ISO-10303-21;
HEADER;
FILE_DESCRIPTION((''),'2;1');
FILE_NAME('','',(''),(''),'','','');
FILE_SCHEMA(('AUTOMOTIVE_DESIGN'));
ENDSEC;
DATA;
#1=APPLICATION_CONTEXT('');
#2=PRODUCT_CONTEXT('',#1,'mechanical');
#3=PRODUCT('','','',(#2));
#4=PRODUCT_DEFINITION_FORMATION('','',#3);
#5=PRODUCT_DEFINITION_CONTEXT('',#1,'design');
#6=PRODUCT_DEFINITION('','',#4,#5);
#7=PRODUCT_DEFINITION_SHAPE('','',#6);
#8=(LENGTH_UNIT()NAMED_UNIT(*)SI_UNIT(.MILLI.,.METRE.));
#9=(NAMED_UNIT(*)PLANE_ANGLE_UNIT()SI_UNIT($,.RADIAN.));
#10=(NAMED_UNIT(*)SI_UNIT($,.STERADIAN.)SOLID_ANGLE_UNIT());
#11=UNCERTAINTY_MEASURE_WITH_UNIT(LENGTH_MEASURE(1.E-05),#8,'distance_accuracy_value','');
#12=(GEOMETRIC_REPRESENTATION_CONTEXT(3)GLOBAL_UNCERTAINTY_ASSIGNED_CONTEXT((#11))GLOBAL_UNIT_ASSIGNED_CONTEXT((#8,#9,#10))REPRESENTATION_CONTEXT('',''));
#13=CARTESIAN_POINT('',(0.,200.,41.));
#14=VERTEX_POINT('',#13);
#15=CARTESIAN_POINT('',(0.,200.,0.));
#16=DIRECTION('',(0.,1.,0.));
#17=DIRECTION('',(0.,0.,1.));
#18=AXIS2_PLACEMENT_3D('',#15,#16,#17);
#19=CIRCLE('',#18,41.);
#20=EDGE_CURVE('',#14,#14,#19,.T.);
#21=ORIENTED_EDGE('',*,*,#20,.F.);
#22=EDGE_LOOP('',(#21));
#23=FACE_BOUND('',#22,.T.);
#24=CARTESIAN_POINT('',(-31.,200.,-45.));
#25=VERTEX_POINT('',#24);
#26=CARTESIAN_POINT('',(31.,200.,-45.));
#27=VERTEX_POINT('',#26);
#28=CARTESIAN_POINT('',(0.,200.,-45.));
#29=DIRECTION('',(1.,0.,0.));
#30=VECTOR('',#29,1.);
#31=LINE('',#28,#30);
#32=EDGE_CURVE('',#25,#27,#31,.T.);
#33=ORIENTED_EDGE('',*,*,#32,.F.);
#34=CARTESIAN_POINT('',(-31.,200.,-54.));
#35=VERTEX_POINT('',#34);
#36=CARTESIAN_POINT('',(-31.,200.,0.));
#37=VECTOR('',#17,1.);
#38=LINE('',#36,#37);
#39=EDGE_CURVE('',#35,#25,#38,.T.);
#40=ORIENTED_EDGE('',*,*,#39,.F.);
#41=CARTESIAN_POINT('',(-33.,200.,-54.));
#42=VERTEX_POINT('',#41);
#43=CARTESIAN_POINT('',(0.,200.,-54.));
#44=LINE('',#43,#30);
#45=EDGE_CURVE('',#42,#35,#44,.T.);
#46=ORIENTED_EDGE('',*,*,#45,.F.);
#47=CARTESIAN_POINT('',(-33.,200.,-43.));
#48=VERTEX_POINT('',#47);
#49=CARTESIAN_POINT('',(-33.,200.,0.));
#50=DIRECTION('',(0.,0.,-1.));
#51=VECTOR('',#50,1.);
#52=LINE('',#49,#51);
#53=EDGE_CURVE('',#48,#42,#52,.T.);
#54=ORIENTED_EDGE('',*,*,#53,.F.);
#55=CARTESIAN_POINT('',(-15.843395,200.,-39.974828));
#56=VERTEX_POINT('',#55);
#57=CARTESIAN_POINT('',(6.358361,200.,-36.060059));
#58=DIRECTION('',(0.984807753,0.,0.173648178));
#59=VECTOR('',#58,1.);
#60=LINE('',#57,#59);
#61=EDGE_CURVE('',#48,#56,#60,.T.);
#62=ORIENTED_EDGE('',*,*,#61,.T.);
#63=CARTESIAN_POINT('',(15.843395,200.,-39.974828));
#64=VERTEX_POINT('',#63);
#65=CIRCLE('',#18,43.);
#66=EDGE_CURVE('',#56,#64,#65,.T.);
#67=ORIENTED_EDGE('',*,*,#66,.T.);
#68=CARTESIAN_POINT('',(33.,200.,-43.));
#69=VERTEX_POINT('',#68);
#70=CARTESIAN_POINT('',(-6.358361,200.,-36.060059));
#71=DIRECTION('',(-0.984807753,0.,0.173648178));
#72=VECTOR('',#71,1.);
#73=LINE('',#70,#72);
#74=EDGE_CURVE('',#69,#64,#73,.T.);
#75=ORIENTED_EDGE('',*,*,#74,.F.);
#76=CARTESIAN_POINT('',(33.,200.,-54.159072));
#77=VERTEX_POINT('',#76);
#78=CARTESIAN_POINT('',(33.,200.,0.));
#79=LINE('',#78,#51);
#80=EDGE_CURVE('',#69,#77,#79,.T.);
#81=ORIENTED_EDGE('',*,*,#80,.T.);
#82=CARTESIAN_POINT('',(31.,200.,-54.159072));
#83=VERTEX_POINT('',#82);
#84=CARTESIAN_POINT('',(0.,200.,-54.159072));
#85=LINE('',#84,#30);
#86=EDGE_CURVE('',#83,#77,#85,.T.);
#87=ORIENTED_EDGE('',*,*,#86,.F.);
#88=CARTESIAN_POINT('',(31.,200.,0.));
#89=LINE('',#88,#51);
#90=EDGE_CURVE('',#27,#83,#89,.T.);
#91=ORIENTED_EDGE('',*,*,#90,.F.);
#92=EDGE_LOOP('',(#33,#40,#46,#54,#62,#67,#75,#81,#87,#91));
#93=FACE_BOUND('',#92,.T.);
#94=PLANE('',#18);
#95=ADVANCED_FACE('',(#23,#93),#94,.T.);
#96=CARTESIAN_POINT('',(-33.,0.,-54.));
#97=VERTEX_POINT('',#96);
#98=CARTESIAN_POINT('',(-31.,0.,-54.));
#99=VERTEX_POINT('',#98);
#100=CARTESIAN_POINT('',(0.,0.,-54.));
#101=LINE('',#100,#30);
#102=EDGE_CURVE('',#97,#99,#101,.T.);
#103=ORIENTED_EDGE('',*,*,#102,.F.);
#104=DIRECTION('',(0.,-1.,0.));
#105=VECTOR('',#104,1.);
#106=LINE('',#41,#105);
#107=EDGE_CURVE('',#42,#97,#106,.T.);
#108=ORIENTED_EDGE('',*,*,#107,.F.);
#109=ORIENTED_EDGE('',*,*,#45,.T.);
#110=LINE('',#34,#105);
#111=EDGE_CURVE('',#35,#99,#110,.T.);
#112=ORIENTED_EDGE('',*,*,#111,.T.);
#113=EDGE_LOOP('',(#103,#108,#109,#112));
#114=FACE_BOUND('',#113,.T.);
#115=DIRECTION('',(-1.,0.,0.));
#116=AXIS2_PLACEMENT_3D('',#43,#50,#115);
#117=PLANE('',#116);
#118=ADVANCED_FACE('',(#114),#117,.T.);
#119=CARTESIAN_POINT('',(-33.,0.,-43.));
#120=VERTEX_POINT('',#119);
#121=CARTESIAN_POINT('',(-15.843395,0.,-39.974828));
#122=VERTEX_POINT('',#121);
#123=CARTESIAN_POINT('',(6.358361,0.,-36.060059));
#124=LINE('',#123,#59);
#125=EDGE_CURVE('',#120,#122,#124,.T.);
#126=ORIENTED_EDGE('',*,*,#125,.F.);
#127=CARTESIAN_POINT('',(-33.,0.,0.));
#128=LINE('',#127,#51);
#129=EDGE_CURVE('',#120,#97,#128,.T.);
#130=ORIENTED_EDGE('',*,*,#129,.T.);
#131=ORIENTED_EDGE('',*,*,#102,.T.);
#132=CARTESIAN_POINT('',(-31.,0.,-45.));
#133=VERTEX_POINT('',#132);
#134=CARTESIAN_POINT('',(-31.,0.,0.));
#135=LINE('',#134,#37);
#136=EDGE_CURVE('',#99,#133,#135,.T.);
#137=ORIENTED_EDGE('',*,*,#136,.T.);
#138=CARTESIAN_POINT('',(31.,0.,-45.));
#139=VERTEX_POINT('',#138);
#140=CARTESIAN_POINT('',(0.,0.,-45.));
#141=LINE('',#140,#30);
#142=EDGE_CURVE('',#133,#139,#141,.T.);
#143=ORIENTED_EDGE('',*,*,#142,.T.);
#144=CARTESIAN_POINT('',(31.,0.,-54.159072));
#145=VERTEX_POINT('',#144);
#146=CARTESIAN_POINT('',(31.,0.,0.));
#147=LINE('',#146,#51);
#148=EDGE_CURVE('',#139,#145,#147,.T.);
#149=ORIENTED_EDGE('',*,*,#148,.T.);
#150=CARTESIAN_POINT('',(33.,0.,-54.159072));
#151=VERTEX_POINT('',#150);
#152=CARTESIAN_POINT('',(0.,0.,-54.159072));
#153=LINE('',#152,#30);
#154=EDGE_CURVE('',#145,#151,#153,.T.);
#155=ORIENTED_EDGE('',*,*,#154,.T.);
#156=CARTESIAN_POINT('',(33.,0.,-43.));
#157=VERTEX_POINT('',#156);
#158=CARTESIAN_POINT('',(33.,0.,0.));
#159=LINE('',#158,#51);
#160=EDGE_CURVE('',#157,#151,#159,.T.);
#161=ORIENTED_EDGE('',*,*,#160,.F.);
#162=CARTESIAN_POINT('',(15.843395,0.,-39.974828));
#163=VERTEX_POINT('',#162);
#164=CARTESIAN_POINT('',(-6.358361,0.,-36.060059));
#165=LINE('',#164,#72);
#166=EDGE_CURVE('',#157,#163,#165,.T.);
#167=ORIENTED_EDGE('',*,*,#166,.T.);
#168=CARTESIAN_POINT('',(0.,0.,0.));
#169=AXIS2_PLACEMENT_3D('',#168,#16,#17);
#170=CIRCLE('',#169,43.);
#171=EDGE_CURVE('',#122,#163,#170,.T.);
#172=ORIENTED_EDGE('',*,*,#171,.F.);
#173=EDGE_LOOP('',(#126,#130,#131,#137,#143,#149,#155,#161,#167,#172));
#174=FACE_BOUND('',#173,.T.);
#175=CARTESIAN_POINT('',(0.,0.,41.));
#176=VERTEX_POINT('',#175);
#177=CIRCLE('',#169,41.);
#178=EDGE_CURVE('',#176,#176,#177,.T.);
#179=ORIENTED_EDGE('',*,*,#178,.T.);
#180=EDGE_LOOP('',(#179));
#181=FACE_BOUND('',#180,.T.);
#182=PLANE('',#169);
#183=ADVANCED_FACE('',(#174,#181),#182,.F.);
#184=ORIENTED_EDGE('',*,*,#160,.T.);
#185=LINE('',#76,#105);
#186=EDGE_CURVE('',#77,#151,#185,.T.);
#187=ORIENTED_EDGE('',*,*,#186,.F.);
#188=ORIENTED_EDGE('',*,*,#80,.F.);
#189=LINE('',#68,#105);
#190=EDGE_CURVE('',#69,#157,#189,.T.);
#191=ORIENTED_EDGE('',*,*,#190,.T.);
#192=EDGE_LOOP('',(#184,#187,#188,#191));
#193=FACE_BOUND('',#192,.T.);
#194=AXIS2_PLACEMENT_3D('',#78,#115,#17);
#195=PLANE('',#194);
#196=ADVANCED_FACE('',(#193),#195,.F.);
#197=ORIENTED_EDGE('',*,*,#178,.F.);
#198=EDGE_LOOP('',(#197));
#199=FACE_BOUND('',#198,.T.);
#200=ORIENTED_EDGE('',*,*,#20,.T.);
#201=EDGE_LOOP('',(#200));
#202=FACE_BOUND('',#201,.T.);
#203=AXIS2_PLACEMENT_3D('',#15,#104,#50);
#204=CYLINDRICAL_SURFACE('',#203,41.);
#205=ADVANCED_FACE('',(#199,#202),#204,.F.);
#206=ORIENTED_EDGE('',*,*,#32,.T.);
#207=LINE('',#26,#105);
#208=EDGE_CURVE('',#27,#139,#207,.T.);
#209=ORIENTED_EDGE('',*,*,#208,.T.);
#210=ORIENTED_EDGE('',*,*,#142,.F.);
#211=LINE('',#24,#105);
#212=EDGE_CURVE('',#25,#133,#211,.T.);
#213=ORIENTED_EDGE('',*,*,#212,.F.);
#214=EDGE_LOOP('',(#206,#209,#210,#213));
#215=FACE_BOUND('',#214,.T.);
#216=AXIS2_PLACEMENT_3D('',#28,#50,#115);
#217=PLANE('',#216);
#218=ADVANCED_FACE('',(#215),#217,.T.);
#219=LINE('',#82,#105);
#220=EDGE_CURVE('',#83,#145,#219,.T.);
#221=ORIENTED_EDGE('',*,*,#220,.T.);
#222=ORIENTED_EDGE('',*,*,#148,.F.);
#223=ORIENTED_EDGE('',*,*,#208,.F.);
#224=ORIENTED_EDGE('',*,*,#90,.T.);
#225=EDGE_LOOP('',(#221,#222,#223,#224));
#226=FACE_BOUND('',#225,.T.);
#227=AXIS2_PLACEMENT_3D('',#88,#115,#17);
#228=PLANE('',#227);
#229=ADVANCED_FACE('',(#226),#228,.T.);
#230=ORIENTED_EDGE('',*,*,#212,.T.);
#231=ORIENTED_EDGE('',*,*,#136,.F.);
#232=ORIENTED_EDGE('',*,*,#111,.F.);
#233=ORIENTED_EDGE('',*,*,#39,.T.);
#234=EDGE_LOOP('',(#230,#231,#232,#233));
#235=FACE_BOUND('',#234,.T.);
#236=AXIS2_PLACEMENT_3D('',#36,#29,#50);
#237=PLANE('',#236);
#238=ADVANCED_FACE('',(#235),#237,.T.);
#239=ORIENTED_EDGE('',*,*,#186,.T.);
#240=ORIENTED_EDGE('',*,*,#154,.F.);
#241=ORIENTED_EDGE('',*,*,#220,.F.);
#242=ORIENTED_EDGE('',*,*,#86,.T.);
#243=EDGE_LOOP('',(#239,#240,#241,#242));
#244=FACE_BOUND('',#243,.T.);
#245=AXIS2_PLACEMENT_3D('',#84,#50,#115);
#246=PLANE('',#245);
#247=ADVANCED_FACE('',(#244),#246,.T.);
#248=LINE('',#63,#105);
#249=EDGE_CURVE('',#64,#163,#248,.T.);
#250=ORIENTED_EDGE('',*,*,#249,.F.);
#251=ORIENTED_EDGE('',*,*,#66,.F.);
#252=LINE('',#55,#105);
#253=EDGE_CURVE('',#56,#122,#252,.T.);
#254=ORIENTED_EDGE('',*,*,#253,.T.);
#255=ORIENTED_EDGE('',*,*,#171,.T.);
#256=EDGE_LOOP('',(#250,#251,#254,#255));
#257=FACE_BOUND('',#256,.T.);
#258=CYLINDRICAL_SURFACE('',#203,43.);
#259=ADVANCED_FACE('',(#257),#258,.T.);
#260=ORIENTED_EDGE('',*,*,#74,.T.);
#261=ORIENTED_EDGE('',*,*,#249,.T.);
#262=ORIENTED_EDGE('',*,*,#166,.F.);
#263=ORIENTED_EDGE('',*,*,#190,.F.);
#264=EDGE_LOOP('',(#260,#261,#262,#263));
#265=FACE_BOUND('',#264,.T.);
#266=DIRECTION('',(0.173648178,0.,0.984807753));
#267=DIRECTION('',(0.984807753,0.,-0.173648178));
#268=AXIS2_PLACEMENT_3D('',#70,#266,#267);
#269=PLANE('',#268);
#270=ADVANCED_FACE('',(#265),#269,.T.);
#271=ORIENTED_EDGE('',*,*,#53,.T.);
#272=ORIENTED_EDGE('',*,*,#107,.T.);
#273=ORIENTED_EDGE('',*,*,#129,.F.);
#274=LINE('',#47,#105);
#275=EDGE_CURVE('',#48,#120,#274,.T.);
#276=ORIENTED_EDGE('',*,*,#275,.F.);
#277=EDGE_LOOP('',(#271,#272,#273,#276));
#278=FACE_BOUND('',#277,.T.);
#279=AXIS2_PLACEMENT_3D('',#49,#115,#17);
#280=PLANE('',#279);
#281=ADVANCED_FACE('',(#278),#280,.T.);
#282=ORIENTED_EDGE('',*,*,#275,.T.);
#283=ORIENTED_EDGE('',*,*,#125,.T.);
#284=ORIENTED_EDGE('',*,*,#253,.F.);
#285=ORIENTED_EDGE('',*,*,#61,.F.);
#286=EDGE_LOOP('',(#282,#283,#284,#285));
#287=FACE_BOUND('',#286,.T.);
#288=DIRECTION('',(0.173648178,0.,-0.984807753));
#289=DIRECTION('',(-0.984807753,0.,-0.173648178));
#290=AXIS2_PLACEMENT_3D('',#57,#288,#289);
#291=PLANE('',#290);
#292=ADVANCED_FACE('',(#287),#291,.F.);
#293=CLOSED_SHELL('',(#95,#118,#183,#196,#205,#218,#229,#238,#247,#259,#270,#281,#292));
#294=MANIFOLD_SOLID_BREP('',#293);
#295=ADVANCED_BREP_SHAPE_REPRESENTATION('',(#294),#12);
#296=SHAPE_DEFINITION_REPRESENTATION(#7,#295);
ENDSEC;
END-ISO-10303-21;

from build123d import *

# Parameters (mm, degrees)
SKETCH3_R           = 43
SKETCH3_R_2         = 41
BOSS_EXTRUDE1_DEPTH = 200


with BuildPart() as part:
    # Sketch3 → Boss-Extrude1 (new body)
    with BuildSketch(Plane(origin=(0, 0, 0), x_dir=(1, 0, 0), z_dir=(0, 1, 0))):
        with BuildLine():
            Line((15.84339478, 39.974827602), (33, 43))
            Line((33, 43), (33, 54.159072389))
            Line((33, 54.159072389), (31, 54.159072389))
            Line((31, 54.159072389), (31, 45))
            Line((31, 45), (-31, 45))
            Line((-31, 45), (-31, 54))
            Line((-31, 54), (-33, 54))
            Line((-33, 54), (-33, 43))
            Line((-33, 43), (-15.84339478, 39.974827602))
            ThreePointArc((-15.84339478, 39.974827602), (0, 43), (15.84339478, 39.974827602))
        make_face()
        Circle(SKETCH3_R)
        Circle(SKETCH3_R_2, mode=Mode.SUBTRACT)
    extrude(amount=BOSS_EXTRUDE1_DEPTH)


solid = part.part
